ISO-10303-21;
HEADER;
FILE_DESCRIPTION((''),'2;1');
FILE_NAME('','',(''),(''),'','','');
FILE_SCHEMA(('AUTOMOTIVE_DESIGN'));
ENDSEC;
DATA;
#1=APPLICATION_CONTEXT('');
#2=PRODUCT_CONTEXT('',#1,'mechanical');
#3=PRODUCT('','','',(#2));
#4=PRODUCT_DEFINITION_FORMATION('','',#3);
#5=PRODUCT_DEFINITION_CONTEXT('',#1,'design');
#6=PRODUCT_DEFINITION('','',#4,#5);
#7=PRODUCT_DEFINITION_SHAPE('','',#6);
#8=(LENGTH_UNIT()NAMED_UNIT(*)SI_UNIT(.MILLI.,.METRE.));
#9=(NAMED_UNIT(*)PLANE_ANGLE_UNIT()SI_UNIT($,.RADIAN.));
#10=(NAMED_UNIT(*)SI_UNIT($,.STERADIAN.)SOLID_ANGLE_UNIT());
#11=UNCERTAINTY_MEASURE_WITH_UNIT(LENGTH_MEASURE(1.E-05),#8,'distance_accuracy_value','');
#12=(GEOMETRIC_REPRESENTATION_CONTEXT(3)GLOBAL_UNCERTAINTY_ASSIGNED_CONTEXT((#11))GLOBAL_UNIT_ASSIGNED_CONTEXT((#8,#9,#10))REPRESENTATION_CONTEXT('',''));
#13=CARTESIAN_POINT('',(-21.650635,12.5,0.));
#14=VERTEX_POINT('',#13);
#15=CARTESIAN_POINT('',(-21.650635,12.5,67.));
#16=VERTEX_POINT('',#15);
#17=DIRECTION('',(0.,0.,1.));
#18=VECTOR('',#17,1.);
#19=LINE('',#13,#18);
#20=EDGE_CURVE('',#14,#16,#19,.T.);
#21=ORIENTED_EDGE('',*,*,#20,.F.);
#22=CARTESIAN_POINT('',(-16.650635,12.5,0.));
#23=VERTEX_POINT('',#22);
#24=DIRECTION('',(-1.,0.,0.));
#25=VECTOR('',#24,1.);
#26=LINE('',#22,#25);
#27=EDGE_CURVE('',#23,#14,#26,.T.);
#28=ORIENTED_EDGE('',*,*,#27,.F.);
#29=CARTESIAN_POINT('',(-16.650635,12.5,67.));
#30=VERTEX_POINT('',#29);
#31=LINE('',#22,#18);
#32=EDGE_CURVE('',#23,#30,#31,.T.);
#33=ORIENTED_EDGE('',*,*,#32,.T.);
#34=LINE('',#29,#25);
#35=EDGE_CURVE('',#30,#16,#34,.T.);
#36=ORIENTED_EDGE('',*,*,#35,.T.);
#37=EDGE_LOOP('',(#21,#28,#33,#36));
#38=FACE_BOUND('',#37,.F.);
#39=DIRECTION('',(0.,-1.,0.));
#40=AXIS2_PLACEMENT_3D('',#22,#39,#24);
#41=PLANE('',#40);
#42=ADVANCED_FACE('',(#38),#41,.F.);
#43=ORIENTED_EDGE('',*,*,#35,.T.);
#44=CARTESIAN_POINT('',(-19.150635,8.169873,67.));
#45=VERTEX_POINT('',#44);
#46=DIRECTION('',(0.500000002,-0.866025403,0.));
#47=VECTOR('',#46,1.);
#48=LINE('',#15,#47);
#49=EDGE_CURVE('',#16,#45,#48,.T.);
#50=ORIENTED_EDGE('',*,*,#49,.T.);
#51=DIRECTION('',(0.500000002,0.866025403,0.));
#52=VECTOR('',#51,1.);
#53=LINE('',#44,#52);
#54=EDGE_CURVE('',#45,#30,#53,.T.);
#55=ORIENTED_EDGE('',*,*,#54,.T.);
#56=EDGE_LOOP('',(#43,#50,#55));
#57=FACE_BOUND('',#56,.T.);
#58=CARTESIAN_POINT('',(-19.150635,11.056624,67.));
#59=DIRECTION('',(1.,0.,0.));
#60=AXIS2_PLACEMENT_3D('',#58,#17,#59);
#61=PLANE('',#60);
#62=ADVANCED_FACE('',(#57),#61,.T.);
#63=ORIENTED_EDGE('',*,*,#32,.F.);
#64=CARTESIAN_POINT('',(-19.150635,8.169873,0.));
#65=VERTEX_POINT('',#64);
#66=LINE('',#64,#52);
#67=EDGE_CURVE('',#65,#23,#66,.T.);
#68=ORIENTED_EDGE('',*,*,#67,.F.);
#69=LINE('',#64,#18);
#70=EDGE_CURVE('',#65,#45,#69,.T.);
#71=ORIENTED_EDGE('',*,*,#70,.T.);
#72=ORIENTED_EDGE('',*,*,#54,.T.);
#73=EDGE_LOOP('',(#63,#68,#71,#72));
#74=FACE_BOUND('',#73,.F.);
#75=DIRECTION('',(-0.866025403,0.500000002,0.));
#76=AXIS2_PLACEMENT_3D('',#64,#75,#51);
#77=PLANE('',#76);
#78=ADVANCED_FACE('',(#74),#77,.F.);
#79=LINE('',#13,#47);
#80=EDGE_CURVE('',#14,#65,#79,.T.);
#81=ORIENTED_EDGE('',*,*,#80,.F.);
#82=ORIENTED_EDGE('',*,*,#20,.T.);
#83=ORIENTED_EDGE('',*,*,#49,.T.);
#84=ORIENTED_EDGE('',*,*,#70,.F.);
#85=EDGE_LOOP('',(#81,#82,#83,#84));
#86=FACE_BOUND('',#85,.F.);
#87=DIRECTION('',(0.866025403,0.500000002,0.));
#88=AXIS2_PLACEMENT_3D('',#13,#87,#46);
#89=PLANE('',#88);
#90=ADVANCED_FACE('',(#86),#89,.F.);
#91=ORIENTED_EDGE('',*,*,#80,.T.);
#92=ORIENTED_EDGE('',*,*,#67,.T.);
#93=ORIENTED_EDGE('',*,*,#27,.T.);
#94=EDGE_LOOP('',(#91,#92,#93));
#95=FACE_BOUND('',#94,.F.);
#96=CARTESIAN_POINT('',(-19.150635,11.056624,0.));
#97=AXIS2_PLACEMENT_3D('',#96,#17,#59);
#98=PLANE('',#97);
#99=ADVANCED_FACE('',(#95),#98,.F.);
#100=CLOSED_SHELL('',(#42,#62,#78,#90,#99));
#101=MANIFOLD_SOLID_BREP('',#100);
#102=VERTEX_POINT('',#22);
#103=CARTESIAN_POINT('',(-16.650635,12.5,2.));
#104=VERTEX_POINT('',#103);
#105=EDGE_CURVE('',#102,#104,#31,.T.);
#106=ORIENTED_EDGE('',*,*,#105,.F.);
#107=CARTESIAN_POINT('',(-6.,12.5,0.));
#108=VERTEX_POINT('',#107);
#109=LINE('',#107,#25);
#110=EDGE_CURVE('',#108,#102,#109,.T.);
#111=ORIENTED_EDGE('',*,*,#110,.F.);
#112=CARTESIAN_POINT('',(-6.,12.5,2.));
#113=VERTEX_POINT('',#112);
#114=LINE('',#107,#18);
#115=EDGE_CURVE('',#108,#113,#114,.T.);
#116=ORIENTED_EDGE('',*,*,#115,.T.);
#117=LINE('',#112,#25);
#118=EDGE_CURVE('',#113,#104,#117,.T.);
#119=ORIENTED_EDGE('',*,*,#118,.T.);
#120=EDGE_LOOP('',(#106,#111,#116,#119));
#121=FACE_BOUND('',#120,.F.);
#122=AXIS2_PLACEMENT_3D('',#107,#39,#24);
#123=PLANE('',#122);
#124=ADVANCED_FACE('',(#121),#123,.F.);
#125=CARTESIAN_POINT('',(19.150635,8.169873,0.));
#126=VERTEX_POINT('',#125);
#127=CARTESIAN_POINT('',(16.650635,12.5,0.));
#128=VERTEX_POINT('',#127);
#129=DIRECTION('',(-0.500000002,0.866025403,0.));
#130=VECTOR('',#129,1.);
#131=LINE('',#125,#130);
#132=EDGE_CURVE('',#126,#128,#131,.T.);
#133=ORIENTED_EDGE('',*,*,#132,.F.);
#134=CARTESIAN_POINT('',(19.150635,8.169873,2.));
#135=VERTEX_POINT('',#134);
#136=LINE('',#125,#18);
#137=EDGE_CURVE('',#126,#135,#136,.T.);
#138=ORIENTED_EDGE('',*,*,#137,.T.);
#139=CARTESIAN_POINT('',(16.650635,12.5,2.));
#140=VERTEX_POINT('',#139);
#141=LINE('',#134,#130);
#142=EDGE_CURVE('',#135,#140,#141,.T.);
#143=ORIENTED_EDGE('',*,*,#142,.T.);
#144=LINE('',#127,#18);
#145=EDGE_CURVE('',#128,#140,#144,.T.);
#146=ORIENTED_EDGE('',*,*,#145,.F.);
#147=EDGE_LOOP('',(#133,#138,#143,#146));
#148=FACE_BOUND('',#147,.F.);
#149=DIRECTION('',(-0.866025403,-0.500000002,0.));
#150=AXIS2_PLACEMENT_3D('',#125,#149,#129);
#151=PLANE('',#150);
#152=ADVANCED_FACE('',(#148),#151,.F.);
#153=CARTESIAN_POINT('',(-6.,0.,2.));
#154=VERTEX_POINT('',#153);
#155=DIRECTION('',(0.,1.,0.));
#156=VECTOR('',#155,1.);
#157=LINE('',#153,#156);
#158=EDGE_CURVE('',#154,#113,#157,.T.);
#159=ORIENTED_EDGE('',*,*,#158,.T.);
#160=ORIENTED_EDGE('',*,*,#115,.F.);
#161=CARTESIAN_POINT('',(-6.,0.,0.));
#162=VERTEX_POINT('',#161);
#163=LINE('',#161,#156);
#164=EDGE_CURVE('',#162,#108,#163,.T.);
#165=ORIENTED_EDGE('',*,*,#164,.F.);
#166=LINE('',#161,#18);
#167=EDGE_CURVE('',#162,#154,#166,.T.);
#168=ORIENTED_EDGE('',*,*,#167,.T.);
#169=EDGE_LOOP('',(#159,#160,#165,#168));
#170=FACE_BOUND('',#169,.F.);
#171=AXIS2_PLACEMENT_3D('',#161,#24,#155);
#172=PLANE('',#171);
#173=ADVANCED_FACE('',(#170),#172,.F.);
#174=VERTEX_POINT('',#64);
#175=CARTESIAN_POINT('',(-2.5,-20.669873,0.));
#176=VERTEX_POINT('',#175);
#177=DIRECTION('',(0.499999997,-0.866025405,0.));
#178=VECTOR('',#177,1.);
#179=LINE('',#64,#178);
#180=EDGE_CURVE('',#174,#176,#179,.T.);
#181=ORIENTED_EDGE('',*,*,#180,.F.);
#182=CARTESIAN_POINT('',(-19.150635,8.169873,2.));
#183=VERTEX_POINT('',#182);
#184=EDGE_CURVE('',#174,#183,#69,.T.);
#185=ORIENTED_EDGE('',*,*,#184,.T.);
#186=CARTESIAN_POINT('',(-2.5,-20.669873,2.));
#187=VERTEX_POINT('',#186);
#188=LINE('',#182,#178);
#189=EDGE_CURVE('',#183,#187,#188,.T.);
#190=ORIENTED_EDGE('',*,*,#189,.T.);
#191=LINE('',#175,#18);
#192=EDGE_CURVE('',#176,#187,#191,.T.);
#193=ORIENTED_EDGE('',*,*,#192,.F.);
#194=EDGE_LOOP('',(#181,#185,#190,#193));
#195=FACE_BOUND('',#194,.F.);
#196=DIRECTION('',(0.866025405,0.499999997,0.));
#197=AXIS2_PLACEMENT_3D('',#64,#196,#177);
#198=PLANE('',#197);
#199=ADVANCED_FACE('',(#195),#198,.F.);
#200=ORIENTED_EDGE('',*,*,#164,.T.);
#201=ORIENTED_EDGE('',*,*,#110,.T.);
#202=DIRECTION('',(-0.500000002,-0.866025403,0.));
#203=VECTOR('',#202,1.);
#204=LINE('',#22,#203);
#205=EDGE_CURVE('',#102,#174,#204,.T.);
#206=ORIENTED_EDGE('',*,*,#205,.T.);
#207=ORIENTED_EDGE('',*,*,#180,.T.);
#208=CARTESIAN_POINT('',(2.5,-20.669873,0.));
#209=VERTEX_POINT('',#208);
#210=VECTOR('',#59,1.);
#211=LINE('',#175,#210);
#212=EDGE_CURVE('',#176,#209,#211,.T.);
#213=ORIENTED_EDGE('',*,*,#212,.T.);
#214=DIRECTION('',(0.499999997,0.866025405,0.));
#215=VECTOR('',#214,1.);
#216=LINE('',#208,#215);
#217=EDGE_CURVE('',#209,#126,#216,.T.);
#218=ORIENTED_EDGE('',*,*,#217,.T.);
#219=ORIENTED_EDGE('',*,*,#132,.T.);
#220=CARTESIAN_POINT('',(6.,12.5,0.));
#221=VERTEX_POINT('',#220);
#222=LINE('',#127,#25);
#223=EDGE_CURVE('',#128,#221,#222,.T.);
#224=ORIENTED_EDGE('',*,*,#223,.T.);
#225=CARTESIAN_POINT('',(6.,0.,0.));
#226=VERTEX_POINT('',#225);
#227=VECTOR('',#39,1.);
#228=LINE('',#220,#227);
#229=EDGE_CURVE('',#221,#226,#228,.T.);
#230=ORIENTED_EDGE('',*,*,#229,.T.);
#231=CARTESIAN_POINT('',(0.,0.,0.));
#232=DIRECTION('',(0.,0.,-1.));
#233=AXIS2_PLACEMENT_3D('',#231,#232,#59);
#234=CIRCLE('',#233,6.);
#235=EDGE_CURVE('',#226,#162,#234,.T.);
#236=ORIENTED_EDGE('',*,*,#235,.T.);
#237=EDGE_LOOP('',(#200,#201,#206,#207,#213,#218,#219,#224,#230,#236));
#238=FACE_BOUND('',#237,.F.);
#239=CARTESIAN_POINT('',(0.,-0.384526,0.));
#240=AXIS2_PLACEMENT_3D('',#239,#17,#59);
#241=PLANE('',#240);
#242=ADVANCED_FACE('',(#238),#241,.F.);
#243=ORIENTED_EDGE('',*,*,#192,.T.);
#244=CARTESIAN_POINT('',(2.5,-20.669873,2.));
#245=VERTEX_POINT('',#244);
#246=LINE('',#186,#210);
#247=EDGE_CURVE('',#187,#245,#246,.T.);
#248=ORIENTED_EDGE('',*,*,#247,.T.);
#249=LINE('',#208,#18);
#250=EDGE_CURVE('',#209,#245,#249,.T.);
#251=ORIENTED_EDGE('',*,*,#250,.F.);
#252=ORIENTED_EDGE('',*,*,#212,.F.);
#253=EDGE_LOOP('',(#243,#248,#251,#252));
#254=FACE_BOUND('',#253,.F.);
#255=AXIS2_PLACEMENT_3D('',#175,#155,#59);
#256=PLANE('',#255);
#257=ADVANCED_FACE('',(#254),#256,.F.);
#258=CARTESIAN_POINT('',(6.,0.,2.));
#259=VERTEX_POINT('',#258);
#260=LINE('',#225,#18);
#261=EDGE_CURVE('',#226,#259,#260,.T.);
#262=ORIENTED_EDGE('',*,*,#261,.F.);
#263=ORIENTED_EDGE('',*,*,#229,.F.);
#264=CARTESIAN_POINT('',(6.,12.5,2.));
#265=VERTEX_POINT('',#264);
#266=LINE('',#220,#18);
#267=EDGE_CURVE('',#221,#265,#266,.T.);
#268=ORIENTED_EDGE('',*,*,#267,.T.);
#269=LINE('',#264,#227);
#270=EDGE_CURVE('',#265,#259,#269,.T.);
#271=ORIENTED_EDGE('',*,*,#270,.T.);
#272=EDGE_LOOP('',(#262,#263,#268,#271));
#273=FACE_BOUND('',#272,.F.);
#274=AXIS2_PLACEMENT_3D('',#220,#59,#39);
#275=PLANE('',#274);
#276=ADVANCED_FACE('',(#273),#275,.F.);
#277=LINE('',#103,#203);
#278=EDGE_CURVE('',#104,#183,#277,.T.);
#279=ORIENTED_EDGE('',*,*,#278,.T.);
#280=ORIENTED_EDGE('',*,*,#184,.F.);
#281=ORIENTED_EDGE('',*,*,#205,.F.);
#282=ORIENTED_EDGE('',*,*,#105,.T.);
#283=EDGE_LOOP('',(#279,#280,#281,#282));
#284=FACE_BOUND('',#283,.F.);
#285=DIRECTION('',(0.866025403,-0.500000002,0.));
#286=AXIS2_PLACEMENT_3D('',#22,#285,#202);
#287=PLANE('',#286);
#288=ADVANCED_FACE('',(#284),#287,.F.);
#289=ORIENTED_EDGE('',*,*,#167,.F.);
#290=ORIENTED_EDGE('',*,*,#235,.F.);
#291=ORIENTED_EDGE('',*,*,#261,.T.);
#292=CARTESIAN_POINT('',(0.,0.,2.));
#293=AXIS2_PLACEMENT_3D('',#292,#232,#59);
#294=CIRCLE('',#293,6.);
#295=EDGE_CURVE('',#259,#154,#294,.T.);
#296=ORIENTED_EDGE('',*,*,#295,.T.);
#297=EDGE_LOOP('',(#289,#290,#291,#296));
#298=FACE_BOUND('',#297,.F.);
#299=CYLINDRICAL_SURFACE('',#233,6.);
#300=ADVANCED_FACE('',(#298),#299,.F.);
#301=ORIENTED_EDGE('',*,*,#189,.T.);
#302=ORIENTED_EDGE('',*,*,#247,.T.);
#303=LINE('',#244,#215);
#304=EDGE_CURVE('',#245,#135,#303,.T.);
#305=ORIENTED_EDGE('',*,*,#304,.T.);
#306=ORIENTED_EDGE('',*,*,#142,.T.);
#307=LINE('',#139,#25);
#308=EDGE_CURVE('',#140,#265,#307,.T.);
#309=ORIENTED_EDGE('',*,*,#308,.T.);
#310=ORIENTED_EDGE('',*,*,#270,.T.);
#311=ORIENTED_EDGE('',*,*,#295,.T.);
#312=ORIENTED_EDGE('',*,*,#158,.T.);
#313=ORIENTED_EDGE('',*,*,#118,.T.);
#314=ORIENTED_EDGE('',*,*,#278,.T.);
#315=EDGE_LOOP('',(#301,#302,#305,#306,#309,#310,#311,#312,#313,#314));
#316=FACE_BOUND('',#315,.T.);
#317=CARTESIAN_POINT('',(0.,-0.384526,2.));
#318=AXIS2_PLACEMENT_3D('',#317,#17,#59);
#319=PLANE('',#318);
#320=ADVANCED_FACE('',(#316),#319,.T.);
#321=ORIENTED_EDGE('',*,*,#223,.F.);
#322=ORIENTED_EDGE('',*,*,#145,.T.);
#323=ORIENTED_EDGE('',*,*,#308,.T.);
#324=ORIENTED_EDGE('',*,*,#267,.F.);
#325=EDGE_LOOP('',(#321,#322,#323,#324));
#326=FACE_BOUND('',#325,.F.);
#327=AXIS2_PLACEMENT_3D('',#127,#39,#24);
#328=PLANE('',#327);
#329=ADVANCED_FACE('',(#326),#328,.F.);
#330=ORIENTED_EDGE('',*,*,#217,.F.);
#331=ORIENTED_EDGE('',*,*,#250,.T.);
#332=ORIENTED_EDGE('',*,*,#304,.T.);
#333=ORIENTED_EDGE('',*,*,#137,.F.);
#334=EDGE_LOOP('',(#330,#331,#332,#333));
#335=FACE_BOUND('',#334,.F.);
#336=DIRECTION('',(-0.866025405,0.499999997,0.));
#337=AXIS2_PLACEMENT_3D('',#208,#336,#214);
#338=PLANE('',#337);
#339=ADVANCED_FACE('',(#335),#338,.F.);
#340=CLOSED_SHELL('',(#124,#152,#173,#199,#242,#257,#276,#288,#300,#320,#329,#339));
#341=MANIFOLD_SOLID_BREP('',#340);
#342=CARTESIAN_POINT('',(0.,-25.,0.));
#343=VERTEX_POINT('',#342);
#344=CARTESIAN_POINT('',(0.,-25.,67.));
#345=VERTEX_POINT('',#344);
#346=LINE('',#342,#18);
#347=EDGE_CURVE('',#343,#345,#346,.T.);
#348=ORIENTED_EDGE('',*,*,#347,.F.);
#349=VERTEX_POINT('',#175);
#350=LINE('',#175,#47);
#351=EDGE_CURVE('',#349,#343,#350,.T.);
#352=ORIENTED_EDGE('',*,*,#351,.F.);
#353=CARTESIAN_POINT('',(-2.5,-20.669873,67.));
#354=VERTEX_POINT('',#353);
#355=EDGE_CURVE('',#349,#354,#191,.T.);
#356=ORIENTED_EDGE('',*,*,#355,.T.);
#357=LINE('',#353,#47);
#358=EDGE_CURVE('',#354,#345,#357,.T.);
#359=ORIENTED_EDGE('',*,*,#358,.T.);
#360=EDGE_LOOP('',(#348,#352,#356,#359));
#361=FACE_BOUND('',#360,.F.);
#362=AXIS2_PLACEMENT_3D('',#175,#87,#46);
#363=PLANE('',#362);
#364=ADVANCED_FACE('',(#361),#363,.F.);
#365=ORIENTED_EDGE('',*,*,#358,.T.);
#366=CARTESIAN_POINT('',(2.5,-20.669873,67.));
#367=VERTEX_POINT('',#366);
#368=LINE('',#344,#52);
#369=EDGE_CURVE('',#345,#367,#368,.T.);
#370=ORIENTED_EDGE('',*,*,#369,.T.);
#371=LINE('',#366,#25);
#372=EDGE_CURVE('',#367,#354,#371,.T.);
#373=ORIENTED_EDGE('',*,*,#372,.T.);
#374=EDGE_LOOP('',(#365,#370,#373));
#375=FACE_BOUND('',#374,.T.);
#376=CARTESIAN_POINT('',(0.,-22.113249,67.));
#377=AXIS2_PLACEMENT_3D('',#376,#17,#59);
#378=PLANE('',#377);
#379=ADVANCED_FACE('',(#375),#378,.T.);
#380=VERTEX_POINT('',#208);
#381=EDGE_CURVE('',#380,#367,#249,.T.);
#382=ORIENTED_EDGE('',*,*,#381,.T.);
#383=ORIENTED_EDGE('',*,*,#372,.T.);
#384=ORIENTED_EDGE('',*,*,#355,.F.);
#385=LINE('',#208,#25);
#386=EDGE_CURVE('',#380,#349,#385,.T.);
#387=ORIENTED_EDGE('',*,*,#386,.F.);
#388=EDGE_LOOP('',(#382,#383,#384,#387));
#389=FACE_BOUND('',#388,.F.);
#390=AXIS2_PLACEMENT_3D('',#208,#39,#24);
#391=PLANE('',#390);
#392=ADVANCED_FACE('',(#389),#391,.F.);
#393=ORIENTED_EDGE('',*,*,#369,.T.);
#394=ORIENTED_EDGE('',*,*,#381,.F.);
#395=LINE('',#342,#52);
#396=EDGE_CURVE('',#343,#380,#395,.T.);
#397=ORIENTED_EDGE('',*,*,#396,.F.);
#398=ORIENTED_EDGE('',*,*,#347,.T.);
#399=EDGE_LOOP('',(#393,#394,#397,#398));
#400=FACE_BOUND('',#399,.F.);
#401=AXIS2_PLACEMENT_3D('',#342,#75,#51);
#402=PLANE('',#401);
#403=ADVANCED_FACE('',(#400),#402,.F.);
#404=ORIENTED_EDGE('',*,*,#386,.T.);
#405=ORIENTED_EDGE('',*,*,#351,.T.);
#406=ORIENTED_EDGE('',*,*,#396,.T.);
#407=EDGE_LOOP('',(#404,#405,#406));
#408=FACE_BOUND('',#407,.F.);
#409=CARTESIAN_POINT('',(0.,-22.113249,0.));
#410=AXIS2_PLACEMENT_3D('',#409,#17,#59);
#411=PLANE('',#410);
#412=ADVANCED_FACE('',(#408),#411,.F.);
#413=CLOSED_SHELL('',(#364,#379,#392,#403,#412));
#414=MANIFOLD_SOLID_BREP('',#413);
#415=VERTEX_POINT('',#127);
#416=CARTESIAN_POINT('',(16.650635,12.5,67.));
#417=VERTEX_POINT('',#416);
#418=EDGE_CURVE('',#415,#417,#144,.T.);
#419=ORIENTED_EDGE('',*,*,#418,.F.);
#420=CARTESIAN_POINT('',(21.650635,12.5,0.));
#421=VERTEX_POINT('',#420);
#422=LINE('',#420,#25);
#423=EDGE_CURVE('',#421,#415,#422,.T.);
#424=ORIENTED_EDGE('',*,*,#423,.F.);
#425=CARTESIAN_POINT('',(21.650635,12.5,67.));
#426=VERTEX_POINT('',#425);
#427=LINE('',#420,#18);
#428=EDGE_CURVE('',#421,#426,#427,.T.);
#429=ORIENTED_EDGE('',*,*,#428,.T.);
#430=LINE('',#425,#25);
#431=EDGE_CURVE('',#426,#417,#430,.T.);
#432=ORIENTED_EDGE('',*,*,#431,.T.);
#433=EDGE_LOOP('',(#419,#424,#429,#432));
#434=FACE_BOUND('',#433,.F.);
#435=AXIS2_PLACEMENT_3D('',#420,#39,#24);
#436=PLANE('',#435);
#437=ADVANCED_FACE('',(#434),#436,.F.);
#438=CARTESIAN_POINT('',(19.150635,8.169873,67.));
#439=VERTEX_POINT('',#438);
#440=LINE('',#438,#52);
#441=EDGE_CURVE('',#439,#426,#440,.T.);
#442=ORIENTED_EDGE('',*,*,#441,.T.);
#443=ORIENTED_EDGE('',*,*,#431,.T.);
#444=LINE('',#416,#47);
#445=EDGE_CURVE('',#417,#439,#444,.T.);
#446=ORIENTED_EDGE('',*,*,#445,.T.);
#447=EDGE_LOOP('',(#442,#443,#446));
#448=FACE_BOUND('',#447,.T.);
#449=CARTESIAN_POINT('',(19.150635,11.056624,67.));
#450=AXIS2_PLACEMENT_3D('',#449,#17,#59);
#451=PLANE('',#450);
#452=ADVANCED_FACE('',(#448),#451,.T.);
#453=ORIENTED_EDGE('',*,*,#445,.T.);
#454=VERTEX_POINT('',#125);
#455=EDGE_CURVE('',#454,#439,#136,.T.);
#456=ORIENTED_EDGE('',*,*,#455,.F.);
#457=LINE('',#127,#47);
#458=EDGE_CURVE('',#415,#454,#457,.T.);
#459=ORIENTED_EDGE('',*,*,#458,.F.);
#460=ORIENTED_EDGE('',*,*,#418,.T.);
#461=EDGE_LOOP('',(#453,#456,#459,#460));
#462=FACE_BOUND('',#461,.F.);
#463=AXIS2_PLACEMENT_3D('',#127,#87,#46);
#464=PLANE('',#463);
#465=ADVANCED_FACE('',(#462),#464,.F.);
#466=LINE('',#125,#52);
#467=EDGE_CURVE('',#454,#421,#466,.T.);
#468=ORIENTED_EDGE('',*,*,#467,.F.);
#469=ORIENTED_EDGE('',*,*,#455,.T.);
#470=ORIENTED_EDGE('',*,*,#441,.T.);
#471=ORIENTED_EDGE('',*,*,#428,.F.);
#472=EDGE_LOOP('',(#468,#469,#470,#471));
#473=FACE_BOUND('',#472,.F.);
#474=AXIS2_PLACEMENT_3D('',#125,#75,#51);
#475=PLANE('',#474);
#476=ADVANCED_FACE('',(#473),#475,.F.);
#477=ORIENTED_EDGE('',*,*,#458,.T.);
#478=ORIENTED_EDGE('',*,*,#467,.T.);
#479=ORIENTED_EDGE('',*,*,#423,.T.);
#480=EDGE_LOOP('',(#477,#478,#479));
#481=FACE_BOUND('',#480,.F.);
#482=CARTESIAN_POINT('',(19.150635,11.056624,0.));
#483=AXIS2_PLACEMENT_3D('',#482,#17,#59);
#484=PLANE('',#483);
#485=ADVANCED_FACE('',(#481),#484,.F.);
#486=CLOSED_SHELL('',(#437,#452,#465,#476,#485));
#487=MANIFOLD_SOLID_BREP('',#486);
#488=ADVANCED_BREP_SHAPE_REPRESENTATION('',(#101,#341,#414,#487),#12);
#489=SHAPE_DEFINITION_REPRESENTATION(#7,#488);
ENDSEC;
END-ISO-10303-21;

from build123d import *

# Parameters (mm, degrees)
F1_DEPTH = 67
F2_DEPTH = 2


with BuildPart() as f1:
    # F0 (on Top) → F1 (new body)
    with BuildSketch(Plane.XY):
        Polygon((0, -25), (2.5, -20.669873), (-2.5, -20.669873), align=None)
        Polygon((-21.650635, 12.5), (-19.150635, 8.169873), (-16.650635, 12.5), align=None)
        Polygon((19.150635, 8.169873), (21.650635, 12.5), (16.650635, 12.5), align=None)
    extrude(amount=F1_DEPTH)


with BuildPart() as f2:
    # F0 (on Top) → F2 (new body)
    with BuildSketch(Plane.XY):
        with BuildLine():
            Line((2.5, -20.669873), (19.150635, 8.169873))
            Line((19.150635, 8.169873), (16.650635, 12.5))
            Line((16.650635, 12.5), (6, 12.5))
            Line((6, 12.5), (6, 0))
            ThreePointArc((6, 0), (0, -6), (-6, 0))
            Line((-6, 0), (-6, 12.5))
            Line((-6, 12.5), (-16.650635, 12.5))
            Line((-16.650635, 12.5), (-19.150635, 8.169873))
            Line((-19.150635, 8.169873), (-2.5, -20.669873))
            Line((-2.5, -20.669873), (2.5, -20.669873))
        make_face()
    extrude(amount=F2_DEPTH)


solid = Compound([f1.part, f2.part])
